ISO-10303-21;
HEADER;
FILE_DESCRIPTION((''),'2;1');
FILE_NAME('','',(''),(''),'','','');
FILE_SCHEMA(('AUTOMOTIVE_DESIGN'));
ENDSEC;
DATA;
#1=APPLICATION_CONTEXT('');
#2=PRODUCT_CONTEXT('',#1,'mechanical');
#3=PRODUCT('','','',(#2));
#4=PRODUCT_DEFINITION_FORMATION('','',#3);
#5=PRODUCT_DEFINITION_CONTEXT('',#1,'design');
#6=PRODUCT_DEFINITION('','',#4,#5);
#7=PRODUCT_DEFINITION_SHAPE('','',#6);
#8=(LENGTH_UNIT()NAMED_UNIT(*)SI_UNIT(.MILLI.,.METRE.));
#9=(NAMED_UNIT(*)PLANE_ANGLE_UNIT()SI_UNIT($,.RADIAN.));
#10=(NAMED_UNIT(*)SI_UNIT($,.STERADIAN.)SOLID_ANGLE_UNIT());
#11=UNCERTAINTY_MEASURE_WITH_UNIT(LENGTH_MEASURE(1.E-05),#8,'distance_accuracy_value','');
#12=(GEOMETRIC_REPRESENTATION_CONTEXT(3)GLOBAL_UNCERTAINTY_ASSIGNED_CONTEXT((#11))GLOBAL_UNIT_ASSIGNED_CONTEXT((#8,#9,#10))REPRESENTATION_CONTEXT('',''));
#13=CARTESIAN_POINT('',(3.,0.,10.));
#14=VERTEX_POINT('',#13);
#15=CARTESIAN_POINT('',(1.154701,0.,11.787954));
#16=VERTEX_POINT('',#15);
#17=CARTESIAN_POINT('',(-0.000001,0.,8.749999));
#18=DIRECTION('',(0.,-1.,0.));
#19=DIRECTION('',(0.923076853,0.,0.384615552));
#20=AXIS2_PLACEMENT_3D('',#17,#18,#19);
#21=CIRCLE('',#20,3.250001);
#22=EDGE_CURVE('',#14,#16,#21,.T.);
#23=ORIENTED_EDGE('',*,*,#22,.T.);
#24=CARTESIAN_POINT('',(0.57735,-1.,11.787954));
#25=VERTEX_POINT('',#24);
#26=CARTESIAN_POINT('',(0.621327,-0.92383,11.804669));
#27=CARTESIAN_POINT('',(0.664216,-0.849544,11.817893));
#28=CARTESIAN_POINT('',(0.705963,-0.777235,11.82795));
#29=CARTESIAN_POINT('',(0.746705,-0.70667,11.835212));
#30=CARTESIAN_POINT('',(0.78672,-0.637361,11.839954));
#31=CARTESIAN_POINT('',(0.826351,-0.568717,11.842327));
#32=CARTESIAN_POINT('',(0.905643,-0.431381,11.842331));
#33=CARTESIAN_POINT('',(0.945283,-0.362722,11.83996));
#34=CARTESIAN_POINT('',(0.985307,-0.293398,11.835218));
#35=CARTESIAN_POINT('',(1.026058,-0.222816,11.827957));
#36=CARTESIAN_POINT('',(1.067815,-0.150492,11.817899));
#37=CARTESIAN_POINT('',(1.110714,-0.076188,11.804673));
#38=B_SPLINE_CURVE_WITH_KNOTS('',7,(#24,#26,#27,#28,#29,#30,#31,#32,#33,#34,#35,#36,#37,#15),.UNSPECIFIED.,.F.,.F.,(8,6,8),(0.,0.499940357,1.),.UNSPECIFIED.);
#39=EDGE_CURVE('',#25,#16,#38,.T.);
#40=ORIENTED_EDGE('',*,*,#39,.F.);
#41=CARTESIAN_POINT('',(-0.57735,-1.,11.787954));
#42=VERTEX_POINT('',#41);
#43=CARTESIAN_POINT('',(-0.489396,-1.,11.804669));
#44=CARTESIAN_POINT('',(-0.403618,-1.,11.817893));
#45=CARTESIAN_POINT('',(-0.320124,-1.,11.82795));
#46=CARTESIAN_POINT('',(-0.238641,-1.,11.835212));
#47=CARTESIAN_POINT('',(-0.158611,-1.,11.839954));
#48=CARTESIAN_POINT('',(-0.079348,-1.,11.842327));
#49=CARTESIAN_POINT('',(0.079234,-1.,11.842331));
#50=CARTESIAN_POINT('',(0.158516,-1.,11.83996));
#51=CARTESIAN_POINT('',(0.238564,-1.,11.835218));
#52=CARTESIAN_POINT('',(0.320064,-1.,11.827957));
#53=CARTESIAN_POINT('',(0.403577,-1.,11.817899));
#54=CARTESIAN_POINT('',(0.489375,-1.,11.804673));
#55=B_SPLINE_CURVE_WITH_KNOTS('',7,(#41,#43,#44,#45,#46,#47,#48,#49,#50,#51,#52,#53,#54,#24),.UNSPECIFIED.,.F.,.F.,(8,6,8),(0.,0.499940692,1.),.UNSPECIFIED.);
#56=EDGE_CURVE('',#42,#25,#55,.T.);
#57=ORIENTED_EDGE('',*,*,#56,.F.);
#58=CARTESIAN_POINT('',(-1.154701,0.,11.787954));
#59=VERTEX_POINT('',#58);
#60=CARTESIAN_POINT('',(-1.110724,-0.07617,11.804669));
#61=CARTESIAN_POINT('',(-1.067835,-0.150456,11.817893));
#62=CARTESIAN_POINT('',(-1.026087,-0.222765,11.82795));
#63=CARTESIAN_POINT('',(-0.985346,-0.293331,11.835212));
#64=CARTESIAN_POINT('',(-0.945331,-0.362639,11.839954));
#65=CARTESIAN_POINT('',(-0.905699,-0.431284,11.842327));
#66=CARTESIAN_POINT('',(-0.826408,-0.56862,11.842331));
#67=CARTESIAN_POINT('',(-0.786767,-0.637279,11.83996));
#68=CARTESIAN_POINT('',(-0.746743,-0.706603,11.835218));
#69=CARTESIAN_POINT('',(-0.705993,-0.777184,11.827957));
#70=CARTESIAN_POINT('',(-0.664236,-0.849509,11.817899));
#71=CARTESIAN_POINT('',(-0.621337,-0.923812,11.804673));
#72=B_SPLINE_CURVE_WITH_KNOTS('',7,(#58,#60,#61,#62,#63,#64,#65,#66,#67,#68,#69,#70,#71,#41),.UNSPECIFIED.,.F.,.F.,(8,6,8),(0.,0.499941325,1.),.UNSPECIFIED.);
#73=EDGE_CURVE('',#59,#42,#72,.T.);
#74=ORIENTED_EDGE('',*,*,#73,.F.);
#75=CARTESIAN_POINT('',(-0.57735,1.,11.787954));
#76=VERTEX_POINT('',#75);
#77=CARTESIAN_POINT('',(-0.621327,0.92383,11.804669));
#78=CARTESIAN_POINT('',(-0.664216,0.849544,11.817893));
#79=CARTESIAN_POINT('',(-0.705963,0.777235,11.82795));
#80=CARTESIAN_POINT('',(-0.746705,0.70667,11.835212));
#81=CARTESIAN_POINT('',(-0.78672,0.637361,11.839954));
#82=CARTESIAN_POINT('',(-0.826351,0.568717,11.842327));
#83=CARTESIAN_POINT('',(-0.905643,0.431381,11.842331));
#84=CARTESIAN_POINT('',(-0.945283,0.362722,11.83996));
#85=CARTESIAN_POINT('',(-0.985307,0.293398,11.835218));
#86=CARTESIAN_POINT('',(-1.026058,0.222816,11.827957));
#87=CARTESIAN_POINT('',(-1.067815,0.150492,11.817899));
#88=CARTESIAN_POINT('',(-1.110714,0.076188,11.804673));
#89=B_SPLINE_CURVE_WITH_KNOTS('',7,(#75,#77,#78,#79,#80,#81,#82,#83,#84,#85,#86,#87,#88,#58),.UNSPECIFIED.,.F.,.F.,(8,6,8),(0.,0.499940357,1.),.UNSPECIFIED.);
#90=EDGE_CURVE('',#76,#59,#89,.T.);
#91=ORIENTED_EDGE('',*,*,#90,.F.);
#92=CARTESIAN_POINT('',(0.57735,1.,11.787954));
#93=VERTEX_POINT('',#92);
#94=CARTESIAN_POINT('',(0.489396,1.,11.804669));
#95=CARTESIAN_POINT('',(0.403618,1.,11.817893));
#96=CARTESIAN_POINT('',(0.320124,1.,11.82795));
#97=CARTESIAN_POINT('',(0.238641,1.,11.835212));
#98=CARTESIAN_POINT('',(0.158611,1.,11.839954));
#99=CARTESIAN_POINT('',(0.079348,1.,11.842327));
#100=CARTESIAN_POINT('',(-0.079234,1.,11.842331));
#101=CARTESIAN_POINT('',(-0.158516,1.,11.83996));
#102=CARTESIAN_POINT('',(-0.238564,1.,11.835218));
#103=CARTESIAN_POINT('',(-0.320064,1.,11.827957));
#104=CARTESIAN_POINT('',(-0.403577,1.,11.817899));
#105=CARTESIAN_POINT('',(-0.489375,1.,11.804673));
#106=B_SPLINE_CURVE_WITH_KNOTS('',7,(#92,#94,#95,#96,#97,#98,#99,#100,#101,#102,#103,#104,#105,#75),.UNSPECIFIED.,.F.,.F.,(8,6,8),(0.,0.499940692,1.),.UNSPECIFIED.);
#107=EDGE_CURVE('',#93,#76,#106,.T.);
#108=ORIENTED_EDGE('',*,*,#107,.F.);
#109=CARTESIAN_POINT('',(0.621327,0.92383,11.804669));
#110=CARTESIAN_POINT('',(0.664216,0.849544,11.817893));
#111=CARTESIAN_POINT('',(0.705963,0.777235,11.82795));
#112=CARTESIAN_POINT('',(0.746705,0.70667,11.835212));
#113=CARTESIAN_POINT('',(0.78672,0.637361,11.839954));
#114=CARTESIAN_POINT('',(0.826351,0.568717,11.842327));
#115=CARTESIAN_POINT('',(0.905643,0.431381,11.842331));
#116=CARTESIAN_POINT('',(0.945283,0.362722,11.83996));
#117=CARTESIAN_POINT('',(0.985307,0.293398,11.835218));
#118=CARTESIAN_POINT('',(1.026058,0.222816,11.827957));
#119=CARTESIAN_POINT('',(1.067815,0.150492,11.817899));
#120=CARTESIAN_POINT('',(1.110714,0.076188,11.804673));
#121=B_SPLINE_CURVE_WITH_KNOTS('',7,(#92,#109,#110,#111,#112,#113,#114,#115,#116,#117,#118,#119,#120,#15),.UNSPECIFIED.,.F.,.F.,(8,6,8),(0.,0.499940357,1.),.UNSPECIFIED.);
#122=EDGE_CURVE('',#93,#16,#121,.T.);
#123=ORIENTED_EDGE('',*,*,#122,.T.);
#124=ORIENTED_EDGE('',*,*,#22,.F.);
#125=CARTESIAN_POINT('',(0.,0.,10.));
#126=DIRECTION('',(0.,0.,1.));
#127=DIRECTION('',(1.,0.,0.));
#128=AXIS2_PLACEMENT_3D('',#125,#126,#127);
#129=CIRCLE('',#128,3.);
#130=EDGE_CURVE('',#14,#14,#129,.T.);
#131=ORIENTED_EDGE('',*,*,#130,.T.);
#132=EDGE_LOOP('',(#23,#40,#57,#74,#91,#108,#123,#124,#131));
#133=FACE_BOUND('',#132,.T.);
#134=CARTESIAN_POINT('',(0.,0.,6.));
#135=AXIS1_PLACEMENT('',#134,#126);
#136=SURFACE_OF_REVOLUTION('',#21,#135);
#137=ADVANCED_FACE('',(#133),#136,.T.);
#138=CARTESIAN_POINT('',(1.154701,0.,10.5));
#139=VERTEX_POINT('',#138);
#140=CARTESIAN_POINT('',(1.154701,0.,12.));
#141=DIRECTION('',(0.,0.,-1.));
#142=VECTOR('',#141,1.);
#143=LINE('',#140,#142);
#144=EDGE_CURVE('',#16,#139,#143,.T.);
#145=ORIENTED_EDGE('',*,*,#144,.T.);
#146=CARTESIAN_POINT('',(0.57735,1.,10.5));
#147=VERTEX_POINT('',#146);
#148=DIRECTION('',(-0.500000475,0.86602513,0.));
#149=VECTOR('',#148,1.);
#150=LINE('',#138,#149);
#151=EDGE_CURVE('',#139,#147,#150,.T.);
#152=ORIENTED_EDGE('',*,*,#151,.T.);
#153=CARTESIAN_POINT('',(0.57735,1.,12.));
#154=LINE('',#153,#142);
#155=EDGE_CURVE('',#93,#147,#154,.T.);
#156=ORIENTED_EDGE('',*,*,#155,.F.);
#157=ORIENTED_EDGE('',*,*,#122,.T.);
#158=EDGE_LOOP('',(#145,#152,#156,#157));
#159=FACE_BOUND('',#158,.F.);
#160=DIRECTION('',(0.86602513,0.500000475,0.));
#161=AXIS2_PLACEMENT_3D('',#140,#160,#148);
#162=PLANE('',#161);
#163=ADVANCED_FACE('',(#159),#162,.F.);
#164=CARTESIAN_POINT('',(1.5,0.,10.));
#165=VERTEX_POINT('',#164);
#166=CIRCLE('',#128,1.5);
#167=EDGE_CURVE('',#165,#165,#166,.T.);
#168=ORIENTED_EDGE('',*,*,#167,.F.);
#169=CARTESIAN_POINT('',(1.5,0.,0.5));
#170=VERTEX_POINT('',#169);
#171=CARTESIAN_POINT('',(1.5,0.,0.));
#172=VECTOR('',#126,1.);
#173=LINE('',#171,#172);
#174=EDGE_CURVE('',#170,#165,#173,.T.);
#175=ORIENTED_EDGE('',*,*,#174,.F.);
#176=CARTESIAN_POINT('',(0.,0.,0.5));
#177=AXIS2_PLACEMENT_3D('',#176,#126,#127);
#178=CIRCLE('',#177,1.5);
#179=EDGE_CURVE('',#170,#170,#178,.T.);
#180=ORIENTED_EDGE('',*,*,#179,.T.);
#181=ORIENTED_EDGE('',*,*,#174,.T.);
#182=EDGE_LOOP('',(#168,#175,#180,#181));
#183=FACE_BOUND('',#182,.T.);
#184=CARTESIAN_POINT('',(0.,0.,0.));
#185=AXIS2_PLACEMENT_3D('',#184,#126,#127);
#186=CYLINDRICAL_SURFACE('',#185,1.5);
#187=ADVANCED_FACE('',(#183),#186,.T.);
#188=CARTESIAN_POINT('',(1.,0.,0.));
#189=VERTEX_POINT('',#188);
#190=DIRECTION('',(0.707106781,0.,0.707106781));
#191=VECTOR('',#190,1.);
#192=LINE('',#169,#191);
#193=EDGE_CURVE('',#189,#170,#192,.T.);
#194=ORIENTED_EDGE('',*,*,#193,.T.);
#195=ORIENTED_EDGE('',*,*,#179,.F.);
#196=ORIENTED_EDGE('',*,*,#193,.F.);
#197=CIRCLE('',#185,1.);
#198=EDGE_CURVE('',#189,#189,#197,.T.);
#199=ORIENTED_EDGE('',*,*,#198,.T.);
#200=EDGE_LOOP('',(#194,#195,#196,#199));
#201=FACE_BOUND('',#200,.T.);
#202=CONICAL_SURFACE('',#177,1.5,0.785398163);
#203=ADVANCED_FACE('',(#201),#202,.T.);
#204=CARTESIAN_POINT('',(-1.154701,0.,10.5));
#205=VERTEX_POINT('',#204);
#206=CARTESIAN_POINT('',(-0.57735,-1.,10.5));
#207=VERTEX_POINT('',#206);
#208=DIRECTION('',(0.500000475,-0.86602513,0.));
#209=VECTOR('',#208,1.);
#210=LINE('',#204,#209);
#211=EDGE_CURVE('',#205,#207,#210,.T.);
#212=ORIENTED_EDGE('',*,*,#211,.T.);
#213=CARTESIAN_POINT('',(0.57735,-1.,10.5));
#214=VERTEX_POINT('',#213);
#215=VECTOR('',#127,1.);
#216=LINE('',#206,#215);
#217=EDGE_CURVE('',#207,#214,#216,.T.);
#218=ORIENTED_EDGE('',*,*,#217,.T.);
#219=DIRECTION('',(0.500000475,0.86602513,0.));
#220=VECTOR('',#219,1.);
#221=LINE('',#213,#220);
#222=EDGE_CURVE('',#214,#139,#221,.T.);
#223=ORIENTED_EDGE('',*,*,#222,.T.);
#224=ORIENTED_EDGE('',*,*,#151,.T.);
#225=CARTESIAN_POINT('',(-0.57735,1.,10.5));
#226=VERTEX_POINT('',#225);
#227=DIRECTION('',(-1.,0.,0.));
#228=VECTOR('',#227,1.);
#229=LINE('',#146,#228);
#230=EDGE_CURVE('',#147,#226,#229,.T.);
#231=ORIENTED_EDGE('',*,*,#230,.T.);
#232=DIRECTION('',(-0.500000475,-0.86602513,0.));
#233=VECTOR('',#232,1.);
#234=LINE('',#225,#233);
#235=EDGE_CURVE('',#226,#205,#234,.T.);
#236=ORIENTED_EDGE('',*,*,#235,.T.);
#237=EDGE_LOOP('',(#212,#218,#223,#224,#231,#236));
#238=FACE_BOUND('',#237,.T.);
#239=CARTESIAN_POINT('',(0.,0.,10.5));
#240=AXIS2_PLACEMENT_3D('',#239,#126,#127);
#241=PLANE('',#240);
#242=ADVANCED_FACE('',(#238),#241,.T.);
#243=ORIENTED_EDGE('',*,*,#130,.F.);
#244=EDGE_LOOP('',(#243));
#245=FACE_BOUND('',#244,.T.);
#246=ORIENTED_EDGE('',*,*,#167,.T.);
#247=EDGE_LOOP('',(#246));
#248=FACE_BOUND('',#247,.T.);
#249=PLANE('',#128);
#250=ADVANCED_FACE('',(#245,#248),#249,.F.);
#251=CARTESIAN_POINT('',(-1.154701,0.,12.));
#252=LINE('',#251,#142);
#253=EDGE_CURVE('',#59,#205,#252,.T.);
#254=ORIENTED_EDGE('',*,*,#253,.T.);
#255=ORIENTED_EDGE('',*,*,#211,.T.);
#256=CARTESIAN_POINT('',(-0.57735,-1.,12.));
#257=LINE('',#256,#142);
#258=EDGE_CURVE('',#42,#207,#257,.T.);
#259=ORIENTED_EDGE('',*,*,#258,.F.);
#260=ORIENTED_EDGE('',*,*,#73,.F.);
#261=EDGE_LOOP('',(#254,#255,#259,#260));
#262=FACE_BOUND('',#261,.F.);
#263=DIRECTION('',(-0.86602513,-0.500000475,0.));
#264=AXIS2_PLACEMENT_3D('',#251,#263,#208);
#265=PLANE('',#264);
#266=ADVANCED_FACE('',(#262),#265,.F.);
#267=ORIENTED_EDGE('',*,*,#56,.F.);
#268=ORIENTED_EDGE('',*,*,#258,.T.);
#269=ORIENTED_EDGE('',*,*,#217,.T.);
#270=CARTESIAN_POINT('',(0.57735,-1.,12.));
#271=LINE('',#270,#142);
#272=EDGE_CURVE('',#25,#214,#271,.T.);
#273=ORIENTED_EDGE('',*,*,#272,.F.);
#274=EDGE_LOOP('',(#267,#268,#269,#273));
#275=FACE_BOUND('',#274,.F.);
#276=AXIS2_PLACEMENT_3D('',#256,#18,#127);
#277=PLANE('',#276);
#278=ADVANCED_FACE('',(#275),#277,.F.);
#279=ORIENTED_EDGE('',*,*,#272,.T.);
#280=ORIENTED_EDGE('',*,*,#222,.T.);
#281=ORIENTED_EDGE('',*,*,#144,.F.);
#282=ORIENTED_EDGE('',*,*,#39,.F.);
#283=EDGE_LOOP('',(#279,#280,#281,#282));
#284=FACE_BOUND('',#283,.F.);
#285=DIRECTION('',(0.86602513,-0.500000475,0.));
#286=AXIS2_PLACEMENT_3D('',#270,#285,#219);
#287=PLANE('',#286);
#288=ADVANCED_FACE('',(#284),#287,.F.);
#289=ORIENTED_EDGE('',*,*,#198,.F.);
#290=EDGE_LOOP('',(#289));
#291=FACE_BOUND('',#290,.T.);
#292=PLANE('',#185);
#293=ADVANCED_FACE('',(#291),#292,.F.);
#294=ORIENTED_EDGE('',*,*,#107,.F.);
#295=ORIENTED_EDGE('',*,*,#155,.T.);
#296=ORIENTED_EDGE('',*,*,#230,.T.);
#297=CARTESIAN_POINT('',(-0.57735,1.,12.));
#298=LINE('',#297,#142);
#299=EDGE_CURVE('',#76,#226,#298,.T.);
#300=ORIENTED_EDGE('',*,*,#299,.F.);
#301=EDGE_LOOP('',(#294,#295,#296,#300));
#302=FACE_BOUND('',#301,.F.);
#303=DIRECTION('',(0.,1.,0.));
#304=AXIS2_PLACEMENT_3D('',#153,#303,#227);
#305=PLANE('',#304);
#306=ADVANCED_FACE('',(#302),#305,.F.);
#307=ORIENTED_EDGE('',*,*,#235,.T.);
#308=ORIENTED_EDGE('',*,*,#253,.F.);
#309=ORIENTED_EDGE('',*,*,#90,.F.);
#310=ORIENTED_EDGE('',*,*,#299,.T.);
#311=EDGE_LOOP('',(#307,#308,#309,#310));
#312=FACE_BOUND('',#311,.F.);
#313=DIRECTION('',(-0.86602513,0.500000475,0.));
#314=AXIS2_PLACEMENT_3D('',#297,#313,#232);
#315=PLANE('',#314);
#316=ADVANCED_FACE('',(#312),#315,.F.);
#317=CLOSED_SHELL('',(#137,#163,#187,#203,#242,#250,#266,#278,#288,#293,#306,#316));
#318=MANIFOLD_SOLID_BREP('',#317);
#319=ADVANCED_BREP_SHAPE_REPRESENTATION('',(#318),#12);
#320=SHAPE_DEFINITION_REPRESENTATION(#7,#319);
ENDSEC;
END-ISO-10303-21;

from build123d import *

# Parameters (mm, degrees)
F2_SIZE  = 0.5
F5_DEPTH = 1.5


with BuildPart() as f1:
    # F0 (on Front) → F1 (revolve)
    with BuildSketch(Plane.XZ):
        with BuildLine():
            Line((0, 12), (0, 0))
            Line((0, 0), (1.5, 0))
            Line((1.5, 0), (1.5, 10))
            Line((1.5, 10), (3, 10))
            ThreePointArc((3, 10), (1.802776, 11.454163), (0, 12))
        make_face()
    revolve(axis=Axis((0, 0, 6), (0, 0, 1)))

    # F2
    f2_edges = [f1.edges().sort_by_distance(p)[0] for p in [
        (-1.5, 0, 0),
    ]]
    chamfer(f2_edges, length=F2_SIZE)

    # F4 (on offset) → F5 (cut)
    with BuildSketch(Plane.XY.offset(12)):
        Polygon((0.57735, 1), (-0.57735, 1), (-1.154701, 0), (-0.57735, -1), (0.57735, -1), (1.154701, 0), align=None)
    extrude(amount=-F5_DEPTH, mode=Mode.SUBTRACT)


solid = f1.part
